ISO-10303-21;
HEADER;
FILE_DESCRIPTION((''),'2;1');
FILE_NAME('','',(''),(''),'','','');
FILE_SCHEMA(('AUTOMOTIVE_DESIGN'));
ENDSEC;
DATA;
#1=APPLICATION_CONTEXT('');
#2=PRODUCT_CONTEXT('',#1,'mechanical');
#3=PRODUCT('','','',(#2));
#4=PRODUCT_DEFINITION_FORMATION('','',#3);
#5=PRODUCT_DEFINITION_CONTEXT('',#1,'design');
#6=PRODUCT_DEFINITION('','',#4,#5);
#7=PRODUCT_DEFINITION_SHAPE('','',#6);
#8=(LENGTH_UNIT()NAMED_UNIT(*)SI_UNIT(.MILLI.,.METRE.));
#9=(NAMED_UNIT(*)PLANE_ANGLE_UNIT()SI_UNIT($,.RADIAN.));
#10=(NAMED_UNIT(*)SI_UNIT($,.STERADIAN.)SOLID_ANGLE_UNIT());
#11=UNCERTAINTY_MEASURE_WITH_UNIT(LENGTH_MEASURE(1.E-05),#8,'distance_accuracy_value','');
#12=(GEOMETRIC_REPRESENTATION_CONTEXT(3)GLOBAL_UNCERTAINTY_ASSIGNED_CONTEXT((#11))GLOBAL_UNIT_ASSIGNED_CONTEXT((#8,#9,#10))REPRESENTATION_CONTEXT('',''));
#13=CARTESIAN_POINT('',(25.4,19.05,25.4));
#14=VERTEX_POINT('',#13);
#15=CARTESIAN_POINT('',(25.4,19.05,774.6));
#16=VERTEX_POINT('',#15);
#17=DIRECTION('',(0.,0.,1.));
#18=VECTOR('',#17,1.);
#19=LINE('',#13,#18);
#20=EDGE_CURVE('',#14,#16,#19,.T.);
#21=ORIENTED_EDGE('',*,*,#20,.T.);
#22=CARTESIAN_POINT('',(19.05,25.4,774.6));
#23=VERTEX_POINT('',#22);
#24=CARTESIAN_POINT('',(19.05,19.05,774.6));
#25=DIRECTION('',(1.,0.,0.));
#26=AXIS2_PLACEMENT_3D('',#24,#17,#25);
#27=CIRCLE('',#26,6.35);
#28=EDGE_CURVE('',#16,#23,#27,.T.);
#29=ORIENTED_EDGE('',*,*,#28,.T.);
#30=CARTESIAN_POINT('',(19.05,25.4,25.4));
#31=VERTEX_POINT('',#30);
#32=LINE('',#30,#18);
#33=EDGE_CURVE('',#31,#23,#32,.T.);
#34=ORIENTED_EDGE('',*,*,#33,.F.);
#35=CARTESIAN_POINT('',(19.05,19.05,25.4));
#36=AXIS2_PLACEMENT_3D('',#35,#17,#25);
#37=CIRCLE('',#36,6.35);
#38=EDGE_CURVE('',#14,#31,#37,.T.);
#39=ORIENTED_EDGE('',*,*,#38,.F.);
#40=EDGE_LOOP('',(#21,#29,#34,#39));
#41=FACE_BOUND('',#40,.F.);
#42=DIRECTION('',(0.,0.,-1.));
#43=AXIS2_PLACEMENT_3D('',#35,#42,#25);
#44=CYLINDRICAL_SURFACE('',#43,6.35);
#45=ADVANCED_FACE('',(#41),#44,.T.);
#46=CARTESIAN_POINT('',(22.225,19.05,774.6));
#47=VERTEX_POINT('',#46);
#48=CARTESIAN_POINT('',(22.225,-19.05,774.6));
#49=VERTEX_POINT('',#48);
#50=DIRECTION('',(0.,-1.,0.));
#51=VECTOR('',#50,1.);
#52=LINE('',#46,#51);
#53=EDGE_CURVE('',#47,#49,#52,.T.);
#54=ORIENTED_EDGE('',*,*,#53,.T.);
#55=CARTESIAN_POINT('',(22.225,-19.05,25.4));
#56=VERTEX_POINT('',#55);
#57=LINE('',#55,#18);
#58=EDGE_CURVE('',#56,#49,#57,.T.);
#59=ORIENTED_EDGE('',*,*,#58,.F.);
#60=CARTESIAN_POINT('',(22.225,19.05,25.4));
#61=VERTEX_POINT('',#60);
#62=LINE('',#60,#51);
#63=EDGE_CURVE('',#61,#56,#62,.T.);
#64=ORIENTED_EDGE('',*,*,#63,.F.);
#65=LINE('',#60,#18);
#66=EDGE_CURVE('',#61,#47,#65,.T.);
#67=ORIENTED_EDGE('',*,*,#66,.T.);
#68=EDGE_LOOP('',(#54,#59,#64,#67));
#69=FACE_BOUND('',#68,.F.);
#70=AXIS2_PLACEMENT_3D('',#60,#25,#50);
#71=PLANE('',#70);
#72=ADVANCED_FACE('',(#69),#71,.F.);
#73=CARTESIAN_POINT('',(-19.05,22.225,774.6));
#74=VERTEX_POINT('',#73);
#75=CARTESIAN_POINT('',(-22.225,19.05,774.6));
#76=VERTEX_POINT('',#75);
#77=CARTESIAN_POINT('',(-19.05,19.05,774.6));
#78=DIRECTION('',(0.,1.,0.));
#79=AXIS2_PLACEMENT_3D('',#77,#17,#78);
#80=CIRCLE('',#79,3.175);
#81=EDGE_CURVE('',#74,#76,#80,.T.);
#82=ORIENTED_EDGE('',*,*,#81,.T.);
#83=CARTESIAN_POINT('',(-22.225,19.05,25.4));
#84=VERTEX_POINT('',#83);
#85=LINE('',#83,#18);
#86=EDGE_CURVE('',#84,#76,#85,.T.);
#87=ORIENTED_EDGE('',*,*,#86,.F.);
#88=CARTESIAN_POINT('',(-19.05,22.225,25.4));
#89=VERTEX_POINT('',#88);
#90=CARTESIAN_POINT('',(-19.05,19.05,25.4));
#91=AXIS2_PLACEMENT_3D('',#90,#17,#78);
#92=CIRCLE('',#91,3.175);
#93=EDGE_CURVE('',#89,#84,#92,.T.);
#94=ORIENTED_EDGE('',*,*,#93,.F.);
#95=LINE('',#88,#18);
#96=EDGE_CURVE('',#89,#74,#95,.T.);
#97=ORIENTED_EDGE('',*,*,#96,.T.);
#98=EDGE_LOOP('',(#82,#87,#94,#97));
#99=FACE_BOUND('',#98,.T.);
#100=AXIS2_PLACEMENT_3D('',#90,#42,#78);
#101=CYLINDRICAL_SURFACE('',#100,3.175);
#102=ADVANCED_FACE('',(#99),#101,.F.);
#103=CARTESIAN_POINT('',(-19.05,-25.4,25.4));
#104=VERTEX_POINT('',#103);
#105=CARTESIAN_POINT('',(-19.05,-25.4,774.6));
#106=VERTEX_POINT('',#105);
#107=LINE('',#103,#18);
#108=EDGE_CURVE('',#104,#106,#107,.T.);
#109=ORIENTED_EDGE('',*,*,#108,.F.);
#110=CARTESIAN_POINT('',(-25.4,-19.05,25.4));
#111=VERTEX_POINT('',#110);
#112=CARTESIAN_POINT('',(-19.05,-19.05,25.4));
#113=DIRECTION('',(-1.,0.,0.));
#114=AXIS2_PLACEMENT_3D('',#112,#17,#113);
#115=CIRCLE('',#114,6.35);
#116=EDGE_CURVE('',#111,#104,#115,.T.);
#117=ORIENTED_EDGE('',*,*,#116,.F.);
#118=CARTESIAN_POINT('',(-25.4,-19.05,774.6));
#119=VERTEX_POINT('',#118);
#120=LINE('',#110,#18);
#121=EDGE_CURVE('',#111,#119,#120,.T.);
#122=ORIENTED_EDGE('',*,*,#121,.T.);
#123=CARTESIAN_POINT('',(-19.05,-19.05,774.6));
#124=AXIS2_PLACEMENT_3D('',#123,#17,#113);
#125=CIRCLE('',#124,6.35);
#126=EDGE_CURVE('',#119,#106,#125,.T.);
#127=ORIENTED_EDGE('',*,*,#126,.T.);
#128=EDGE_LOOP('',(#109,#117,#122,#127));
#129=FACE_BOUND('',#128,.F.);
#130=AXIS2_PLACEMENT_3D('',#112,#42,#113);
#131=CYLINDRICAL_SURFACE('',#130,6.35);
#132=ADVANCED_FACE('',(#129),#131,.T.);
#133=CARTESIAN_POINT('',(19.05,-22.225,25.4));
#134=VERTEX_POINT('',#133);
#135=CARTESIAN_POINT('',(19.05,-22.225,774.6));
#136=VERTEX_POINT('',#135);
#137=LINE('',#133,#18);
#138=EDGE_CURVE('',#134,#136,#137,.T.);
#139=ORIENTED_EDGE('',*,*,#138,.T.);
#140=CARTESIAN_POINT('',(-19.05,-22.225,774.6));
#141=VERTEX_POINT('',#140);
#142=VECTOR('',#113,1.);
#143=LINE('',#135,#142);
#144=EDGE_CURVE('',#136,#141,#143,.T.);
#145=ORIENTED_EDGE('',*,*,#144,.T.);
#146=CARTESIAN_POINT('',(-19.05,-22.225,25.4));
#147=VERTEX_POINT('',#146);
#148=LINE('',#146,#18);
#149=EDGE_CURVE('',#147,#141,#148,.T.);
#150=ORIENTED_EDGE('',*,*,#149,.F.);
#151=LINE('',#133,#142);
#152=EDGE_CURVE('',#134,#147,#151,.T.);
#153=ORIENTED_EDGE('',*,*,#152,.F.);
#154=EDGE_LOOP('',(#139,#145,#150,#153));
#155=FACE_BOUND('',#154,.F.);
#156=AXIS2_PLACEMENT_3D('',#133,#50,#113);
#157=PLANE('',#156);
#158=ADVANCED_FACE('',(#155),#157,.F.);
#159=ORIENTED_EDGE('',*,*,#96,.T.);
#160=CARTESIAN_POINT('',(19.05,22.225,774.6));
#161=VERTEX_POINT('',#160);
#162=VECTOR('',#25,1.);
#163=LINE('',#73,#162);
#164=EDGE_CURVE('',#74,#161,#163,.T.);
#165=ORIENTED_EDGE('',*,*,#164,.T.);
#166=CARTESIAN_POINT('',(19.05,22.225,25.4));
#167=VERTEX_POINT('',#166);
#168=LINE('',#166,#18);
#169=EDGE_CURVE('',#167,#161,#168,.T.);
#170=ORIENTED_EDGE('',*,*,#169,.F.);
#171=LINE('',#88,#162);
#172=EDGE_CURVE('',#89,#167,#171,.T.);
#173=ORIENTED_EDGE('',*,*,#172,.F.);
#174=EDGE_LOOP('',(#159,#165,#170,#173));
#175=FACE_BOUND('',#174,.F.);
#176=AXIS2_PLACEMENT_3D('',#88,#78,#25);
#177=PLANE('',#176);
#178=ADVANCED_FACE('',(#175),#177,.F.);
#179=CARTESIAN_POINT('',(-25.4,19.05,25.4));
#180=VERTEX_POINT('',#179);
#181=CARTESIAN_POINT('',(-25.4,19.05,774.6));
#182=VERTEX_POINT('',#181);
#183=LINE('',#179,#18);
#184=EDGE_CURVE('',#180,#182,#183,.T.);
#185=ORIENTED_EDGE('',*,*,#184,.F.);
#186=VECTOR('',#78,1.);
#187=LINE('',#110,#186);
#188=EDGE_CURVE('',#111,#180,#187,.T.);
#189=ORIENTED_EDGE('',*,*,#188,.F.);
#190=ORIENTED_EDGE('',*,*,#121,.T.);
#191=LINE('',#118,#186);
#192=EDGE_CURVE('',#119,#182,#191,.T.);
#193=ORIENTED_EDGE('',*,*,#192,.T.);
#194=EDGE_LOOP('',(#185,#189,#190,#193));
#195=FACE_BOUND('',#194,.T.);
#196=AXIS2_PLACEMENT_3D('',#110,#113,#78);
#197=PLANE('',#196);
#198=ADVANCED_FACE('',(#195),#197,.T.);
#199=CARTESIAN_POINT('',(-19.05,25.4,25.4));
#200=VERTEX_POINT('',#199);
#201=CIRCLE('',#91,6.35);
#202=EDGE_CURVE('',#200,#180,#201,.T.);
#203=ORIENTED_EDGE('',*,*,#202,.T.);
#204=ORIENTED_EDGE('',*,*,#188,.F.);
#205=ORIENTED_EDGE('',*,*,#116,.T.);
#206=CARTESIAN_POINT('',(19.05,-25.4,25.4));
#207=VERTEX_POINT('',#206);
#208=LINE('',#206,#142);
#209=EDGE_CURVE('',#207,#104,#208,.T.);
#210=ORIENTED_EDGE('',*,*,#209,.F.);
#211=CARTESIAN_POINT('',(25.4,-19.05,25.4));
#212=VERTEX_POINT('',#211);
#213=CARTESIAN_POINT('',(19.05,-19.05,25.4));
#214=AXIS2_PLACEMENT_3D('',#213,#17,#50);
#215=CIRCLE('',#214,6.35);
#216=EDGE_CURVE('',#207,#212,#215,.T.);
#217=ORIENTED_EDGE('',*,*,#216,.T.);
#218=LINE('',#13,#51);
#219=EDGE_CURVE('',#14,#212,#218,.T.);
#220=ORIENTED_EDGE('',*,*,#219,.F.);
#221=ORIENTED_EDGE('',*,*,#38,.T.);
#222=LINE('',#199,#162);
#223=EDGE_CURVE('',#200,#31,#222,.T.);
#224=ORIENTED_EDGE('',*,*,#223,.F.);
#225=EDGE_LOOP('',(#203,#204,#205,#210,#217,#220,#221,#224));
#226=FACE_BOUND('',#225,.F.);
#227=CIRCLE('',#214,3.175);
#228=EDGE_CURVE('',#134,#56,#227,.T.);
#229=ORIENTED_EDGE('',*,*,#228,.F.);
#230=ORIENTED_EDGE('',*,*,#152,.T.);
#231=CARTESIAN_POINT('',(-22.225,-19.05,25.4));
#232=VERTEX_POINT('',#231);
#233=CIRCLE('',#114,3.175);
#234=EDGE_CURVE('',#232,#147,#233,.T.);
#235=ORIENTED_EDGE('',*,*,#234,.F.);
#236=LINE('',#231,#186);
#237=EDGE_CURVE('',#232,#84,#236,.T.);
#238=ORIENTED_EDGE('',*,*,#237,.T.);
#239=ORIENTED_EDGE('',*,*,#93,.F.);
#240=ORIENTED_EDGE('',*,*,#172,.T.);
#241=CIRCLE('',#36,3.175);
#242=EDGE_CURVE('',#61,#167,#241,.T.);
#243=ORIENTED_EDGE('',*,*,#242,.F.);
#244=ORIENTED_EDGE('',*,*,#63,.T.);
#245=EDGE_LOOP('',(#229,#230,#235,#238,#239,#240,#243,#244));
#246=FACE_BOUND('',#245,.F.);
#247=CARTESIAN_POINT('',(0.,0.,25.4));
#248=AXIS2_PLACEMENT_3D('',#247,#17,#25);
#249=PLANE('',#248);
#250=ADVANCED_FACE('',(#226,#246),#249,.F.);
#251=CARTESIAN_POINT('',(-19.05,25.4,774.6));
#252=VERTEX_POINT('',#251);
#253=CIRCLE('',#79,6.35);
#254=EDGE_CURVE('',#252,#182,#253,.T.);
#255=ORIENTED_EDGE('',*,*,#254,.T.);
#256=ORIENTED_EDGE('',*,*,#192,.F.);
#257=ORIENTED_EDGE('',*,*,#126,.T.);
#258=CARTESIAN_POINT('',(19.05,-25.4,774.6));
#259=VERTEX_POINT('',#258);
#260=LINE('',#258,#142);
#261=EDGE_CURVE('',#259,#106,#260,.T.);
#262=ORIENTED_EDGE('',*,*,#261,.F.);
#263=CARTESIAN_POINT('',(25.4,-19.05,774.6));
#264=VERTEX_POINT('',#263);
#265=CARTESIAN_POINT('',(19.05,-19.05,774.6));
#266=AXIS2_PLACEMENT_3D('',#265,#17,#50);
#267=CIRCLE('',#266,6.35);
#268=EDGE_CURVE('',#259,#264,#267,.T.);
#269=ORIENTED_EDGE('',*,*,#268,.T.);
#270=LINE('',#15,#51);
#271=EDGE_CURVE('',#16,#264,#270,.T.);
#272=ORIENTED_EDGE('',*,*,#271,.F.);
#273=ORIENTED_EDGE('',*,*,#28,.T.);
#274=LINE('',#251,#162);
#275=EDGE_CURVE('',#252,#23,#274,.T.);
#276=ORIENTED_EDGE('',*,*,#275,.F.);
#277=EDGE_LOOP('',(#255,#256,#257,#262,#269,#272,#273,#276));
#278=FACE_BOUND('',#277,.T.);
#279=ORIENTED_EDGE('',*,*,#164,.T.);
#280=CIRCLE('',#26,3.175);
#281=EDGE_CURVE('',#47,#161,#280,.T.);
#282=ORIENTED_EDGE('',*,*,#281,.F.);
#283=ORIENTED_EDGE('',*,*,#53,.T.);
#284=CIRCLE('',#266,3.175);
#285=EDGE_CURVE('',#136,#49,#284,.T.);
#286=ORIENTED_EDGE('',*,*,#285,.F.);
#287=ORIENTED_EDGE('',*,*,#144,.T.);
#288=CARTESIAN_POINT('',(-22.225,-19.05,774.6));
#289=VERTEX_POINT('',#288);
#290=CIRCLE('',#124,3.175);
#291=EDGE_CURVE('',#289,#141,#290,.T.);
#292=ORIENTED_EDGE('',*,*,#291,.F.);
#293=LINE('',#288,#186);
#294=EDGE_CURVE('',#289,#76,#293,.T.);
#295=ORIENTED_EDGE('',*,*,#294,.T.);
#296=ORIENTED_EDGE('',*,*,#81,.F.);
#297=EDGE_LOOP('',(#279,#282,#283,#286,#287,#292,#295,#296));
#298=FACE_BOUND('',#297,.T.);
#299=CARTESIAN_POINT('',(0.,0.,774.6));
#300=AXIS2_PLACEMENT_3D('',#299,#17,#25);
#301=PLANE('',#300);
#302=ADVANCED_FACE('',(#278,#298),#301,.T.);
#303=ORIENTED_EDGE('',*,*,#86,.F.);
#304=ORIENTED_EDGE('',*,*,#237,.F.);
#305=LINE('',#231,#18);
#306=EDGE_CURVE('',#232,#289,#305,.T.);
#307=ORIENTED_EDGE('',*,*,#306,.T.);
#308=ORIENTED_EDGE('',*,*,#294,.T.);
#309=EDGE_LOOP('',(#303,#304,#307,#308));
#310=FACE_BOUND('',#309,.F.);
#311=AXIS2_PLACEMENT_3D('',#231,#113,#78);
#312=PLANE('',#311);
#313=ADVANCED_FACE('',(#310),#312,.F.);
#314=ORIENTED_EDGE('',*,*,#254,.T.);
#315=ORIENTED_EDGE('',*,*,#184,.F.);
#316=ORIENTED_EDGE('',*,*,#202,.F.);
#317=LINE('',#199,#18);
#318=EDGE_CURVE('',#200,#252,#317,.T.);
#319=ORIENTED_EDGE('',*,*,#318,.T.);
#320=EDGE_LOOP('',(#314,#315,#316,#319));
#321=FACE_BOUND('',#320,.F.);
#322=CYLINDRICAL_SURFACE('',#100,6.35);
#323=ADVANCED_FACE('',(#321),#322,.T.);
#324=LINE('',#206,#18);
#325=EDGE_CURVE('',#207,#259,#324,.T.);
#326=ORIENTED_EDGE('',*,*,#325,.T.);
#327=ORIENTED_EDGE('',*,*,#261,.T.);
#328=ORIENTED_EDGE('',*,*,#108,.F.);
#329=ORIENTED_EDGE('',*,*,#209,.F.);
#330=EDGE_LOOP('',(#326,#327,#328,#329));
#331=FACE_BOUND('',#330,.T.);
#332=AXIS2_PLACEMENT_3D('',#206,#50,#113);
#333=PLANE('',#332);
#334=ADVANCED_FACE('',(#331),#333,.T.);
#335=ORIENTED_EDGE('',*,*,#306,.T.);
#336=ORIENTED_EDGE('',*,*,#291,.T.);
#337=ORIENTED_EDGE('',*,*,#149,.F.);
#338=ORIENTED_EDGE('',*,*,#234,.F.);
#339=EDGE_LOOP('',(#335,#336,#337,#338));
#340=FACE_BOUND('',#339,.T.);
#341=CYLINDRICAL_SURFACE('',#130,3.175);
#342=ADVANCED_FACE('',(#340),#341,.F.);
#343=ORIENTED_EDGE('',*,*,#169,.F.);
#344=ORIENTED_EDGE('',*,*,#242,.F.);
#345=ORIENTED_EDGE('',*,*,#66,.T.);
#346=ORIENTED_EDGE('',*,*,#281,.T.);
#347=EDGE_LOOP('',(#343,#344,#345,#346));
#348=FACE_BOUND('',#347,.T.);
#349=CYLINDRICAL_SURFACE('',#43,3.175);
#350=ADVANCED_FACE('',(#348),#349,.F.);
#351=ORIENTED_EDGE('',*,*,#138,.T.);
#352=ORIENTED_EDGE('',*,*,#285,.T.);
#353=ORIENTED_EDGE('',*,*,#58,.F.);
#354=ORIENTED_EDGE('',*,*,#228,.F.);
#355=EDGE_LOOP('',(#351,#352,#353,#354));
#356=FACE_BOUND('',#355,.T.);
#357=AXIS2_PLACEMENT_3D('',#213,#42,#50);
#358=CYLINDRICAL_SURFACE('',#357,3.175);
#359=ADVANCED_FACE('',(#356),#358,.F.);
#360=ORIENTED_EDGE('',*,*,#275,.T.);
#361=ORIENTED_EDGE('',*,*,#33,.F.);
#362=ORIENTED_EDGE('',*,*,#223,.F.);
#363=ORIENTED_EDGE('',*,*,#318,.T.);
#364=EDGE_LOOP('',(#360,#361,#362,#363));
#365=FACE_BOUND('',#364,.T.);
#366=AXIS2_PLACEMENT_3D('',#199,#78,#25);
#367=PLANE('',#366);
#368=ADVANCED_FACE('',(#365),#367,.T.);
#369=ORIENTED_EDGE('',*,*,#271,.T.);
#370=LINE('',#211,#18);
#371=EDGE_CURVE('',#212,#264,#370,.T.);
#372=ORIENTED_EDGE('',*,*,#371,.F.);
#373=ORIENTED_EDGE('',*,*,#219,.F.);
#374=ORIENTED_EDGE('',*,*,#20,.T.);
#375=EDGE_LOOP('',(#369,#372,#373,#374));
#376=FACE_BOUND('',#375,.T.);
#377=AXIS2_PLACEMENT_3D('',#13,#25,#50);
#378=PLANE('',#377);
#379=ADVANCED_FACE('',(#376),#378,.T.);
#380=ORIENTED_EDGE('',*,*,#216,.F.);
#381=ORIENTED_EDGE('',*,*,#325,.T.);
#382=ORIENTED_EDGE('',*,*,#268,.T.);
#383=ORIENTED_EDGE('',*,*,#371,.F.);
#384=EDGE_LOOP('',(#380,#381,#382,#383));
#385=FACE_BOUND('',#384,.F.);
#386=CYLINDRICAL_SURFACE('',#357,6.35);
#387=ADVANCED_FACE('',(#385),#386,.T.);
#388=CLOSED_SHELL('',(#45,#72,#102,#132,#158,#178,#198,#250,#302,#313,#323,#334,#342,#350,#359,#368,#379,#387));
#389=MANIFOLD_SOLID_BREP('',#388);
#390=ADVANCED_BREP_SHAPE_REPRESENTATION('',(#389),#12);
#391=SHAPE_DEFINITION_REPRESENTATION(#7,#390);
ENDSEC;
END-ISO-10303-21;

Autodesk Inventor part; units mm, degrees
ref_plane "Plano inicial" through (0, 0, 25.4) normal (0, 0, 1) x (1, 0, 0)
ref_plane "Plano final" through (0, 0, 774.6) normal (0, 0, 1) x (1, 0, 0)
sketch "Boceto" plane through (0, 0, 0) normal (0, 0, 1) x (1, 0, 0)
  line L0 (-25.4, -19.05) -> (-25.4, 19.05)
  line L1 (-19.05, 25.4) -> (19.05, 25.4)
  line L2 (25.4, 19.05) -> (25.4, -19.05)
  line L3 (19.05, -25.4) -> (-19.05, -25.4)
  arc A0 (-25.4, -19.05) -> (-19.05, -25.4) centre (-19.05, -19.05) ccw
  arc A1 (-19.05, 25.4) -> (-25.4, 19.05) centre (-19.05, 19.05) ccw
  arc A2 (25.4, 19.05) -> (19.05, 25.4) centre (19.05, 19.05) ccw
  arc A3 (19.05, -25.4) -> (25.4, -19.05) centre (19.05, -19.05) ccw
  arc A4 (-19.05, 22.225) -> (-22.225, 19.05) centre (-19.05, 19.05) ccw
  line L4 (-19.05, 22.225) -> (19.05, 22.225)
  arc A5 (22.225, 19.05) -> (19.05, 22.225) centre (19.05, 19.05) ccw
  line L5 (22.225, 19.05) -> (22.225, -19.05)
  arc A6 (19.05, -22.225) -> (22.225, -19.05) centre (19.05, -19.05) ccw
  line L6 (19.05, -22.225) -> (-19.05, -22.225)
  arc A7 (-22.225, -19.05) -> (-19.05, -22.225) centre (-19.05, -19.05) ccw
  line L7 (-22.225, -19.05) -> (-22.225, 19.05)
  line L8 (0, 37.4012) -> (0, -37.4012) construction
  line L9 (-37.4012, 0) -> (37.4012, 0) construction
  dimension "d10" = 50.8
  dimension "d11" = 50.8
  dimension "d12" = 3.175
  dimension "d15" = 25.4
  dimension "d16" = 25.4
  dimension "d17" = 6.35
extrude "Cuerpo" add sketch "Boceto" along normal up to surface (749.2 mm away) from surface at 25.4
sketch "Sketch3" plane through (0, 0, 0) normal (0, 0, 1) x (1, 0, 0)
  line L0 (0, 0) -> (10, 0)
ref_plane "Work Plane3" through (0, 0, 0) normal (0, -1, 0) x (1, 0, 0)
ref_plane "Plano de trabajo4" through (19.05, 0, 25.4) normal (0, 0, -1) x (-1, 0, 0)
split "Dividir1" plane through (19.05, 0, 25.4) removes the side toward (0, 0, -1)
ref_plane "Plano de trabajo5" through (19.05, 400, 774.6) normal (0, 0, 1) x (1, 0, 0)
split "Dividir2" plane through (19.05, 400, 774.6) removes the side toward (0, 0, 1)
sketch "Sketch4" plane through (0, 0, 0) normal (0, -1, 0) x (1, 0, 0)
  line L0 (-2, 25.4) -> (12, 25.4) projected
  line L1 (-2, 774.6) -> (12, 774.6) projected
  dimension "d19" = 749.2
equation "\"d10\" = G_H"
equation "\"d11\" = G_W"
equation "\"d12\" = G_T"
equation "\"d15\" = 0.5 * d10"
equation "\"d16\" = 0.5 * d11"
equation "\"d17\" = G_IR"
equation "\"d3\" = G_L"
equation "\"G_W\" = 50.8"
equation "\"G_H\" = 50.8"
equation "\"G_T\" = 3.175"
equation "\"G_IR\" = 6.35"
equation "\"G_L\" = d19"
equation "\"G_OFFSET_START\" = -25.4"
equation "\"G_OFFSET_END\" = -25.4"
equation "\"d13\" = -G_OFFSET_START"
equation "\"d14\" = G_OFFSET_END + B_L"
equation "\"B_L\" = 800"
properties part number "AISC - 2 x 2 x 1/8 - 29,496" material "Acero, suave"
